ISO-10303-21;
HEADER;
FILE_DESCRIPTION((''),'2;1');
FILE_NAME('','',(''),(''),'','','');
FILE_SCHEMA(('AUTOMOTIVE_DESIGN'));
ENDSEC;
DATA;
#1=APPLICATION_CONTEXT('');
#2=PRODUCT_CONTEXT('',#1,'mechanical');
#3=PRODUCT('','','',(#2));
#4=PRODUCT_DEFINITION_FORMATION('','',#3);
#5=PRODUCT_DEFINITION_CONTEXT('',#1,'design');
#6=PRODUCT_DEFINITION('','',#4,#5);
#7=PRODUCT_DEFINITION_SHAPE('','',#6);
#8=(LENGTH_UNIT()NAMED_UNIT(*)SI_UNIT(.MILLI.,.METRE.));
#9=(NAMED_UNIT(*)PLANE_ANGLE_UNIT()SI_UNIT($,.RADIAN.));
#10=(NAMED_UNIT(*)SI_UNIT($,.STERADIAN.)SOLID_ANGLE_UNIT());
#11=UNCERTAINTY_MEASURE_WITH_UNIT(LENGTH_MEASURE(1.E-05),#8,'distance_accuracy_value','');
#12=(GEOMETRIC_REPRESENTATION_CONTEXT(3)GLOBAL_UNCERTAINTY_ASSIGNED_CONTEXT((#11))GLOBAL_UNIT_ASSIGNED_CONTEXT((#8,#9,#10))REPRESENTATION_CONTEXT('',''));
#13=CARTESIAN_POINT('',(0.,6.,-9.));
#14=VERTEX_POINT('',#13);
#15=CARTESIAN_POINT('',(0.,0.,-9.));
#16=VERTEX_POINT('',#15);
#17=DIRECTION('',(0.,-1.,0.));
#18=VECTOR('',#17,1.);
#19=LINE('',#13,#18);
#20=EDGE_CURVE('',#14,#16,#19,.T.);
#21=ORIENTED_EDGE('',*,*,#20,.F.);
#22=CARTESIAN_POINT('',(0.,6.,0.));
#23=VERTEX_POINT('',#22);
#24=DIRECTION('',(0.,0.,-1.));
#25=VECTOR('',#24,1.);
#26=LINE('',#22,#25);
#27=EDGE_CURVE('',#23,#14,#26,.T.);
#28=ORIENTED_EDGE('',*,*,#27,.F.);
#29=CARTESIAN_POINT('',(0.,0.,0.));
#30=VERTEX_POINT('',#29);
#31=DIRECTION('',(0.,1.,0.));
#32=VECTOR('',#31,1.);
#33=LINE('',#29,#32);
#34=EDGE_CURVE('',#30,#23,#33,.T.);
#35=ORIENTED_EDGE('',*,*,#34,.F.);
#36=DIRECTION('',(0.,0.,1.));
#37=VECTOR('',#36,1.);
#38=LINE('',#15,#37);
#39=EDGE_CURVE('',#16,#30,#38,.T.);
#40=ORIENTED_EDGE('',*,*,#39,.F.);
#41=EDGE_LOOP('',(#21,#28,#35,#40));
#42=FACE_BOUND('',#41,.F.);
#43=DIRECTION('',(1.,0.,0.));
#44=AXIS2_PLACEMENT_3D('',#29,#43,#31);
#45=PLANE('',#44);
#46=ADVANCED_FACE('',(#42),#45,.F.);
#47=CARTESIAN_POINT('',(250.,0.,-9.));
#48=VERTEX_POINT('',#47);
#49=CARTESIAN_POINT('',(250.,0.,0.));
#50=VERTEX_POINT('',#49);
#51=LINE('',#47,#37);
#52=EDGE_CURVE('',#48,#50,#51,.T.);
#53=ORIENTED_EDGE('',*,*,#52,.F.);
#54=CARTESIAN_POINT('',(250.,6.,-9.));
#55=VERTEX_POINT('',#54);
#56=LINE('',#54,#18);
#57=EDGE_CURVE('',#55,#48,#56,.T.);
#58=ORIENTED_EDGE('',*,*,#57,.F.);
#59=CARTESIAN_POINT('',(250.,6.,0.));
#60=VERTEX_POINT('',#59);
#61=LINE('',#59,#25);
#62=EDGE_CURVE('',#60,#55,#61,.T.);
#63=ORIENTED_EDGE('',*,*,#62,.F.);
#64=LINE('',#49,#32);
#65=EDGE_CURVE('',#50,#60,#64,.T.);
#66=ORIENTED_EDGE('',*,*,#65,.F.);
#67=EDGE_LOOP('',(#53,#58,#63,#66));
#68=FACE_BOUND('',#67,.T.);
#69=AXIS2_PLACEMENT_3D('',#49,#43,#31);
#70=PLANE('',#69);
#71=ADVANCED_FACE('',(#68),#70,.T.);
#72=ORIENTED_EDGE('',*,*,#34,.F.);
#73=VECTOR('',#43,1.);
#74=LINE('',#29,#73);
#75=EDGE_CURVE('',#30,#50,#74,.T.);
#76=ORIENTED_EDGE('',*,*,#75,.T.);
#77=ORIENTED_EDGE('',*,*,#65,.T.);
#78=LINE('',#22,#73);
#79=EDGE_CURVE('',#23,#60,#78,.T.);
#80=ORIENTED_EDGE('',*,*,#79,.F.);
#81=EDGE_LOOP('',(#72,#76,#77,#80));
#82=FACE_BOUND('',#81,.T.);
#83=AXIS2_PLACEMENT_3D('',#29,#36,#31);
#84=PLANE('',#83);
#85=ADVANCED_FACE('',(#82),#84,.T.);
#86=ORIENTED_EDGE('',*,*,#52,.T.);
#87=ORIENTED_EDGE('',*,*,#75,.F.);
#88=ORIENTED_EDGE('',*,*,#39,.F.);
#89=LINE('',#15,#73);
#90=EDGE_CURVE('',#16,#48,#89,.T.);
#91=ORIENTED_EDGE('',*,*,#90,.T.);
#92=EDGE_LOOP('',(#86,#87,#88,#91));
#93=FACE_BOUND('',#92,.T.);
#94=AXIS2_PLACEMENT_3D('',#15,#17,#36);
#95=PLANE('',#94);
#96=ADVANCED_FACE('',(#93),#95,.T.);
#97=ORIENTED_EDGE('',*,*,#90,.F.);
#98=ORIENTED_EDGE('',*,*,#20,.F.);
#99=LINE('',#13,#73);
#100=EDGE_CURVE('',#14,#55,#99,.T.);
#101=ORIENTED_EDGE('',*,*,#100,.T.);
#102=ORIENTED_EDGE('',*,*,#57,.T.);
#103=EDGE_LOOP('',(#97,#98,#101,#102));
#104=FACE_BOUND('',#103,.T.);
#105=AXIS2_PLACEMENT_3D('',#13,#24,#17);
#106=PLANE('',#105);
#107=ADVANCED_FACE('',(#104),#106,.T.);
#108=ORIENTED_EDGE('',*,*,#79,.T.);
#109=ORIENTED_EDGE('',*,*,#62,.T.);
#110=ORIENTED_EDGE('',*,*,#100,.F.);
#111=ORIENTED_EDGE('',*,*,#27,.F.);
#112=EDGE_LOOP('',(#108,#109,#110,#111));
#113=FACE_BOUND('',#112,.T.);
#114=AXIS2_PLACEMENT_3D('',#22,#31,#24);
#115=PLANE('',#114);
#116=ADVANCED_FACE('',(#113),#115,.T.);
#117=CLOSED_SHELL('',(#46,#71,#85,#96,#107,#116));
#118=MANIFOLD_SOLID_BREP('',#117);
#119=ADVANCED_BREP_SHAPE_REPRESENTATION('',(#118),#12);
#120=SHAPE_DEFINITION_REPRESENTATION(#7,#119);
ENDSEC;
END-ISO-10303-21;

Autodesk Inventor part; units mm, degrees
ref_plane "YZ Plane" through (0, 0, 0) normal (1, 0, 0) x (0, 1, 0)
ref_plane "XZ Plane" through (0, 0, 0) normal (0, 1, 0) x (-1, 0, 0)
ref_plane "XY Plane" through (0, 0, 0) normal (0, 0, 1) x (1, 0, 0)
sketch "Sketch1" plane through (0, 0, 0) normal (1, 0, 0) x (0, 1, 0)
  line L0 (0, 0) -> (6, 0)
  line L1 (6, 0) -> (6, -9)
  line L2 (6, -9) -> (0, -9)
  line L3 (0, -9) -> (0, 0)
  dimension "d0" = 9
  dimension "d1" = 6
extrude "Extrusion1" add sketch "Sketch1" along normal blind 250
properties part number "MGN9"
